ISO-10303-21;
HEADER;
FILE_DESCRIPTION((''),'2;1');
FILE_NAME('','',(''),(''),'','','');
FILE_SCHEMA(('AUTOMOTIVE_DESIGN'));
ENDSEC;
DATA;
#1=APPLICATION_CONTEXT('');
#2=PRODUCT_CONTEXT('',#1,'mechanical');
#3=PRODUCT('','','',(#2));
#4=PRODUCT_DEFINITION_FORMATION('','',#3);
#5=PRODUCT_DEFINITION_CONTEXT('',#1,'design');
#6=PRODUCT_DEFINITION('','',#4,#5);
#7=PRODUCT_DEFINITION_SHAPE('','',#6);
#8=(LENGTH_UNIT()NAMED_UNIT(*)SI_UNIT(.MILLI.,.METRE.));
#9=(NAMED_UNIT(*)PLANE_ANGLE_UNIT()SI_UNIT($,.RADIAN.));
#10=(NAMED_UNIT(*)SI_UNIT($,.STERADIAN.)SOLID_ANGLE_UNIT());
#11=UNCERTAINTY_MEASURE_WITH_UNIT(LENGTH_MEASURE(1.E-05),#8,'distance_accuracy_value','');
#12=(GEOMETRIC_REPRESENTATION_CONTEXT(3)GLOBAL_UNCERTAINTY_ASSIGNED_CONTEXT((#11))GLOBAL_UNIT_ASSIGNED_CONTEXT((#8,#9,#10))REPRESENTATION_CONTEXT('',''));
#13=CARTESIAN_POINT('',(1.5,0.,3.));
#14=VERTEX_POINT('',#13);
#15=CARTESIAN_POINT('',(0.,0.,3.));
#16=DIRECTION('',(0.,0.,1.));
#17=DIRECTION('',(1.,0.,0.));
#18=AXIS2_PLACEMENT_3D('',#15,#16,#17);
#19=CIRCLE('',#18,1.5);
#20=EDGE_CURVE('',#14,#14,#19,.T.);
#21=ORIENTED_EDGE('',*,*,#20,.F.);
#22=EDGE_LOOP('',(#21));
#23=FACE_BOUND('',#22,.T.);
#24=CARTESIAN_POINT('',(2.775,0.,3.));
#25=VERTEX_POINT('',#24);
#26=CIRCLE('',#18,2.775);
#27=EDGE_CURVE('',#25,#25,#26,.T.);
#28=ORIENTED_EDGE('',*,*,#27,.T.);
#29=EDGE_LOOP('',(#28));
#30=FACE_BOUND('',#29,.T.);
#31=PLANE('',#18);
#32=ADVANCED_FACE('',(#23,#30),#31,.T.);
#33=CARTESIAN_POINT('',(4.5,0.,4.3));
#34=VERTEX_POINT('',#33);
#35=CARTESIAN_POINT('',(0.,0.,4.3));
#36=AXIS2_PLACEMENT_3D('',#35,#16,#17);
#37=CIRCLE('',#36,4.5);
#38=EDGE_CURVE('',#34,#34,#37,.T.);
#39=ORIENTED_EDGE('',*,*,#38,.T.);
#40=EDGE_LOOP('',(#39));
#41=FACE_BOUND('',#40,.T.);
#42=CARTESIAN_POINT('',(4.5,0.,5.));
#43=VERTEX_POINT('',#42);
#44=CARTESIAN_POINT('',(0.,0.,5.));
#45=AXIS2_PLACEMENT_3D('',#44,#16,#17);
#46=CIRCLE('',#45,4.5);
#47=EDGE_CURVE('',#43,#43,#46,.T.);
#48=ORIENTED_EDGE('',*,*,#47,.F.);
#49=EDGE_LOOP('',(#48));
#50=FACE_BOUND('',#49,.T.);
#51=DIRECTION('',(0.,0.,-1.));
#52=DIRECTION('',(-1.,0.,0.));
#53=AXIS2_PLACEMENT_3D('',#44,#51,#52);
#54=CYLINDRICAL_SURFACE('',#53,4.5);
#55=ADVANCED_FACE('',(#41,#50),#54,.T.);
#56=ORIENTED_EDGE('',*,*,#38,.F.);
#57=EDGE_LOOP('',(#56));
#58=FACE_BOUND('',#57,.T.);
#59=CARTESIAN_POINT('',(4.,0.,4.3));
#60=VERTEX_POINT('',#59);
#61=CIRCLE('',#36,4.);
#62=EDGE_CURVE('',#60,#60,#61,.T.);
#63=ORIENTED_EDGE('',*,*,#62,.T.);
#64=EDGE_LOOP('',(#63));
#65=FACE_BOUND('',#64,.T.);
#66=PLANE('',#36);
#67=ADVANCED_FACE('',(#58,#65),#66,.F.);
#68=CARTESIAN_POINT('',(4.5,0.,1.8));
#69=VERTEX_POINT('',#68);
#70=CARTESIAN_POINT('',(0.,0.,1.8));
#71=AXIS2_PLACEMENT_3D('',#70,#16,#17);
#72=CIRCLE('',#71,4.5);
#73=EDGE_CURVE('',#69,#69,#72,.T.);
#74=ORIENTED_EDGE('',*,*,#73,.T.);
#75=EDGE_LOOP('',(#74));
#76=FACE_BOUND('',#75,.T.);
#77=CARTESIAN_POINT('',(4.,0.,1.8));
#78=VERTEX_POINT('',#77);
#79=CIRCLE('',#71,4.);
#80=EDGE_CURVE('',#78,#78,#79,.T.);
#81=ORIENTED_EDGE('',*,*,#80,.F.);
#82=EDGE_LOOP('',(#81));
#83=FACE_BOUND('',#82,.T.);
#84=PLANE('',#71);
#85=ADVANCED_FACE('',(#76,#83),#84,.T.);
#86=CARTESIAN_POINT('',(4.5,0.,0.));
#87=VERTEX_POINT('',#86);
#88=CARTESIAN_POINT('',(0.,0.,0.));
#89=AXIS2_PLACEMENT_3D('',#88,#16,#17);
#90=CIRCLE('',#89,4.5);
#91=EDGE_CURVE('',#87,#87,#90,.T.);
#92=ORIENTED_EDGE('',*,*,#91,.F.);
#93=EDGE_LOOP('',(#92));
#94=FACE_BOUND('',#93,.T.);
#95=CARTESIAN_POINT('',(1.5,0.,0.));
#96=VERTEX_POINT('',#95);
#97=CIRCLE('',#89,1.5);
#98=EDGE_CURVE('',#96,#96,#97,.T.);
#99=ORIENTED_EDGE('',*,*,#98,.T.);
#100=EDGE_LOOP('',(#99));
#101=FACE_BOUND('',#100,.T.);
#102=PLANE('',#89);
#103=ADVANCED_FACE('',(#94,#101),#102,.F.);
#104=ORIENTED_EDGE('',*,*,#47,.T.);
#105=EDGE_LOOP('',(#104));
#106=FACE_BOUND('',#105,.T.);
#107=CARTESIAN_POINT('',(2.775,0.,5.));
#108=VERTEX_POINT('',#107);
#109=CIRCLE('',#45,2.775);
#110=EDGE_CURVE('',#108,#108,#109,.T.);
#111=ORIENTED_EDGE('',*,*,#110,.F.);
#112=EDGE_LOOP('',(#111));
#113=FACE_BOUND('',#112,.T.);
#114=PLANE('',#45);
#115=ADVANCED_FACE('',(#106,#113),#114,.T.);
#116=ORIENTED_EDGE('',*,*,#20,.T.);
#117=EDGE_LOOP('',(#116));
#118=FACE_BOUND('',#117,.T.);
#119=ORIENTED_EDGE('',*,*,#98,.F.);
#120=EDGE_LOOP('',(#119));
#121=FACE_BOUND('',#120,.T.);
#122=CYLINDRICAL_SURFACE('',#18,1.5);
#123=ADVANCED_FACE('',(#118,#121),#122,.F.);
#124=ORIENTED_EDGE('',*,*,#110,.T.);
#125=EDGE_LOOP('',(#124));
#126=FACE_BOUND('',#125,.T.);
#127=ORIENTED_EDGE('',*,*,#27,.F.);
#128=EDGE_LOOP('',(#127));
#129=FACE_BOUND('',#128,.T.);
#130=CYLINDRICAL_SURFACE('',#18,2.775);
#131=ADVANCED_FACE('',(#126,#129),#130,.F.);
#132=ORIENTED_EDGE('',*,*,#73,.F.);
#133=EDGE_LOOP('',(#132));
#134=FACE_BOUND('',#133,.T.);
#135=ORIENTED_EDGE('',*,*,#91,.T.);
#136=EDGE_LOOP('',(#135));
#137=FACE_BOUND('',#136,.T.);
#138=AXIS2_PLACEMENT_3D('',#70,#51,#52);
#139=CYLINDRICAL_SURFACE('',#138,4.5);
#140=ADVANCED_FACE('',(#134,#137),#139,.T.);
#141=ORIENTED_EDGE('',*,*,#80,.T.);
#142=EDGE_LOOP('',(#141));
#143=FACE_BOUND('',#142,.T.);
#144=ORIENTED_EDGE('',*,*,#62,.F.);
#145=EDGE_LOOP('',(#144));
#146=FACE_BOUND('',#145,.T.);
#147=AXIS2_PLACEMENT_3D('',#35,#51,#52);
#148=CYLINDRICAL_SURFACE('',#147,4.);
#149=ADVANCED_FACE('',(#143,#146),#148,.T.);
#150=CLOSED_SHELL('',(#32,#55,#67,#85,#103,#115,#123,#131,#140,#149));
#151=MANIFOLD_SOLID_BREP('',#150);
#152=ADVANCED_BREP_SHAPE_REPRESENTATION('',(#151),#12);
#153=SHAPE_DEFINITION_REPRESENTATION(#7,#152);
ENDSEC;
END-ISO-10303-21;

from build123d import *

# Parameters (mm, degrees)
BASE_R                   = 4.5
BODY_1_DEPTH             = 1.8
THIN_BASE_R              = 4
BODY_THIN_DEPTH          = 2.5
BASE_2_R                 = 4.5
BODY_2_DEPTH             = 0.7
SCREW_HEAD_HOLE_SKETCH_R = 2.775
SCREW_HEAD_HOLE_DEPTH    = 2
F_3_0_3_DIAMETER_HOLE1_D = 3


with BuildPart() as part:
    # base → body 1 (new body)
    with BuildSketch(Plane.XY):
        Circle(BASE_R)
    extrude(amount=BODY_1_DEPTH)

    # thin base → body thin (add)
    with BuildSketch(Plane.XY.offset(1.8)):
        Circle(THIN_BASE_R)
    extrude(amount=BODY_THIN_DEPTH)

    # base 2 → body 2 (add)
    with BuildSketch(Plane.XY.offset(4.3)):
        Circle(BASE_2_R)
    extrude(amount=BODY_2_DEPTH)

    # screw head hole sketch → screw head hole (cut)
    with BuildSketch(Plane.XY.offset(5)):
        Circle(SCREW_HEAD_HOLE_SKETCH_R)
    extrude(amount=-SCREW_HEAD_HOLE_DEPTH, mode=Mode.SUBTRACT)

    # Ø3.0 (3) Diameter Hole1 (through all)
    with Locations(Plane.XY.offset(3)):
        with Locations((0, 0)):
            Hole(F_3_0_3_DIAMETER_HOLE1_D / 2)


solid = part.part
